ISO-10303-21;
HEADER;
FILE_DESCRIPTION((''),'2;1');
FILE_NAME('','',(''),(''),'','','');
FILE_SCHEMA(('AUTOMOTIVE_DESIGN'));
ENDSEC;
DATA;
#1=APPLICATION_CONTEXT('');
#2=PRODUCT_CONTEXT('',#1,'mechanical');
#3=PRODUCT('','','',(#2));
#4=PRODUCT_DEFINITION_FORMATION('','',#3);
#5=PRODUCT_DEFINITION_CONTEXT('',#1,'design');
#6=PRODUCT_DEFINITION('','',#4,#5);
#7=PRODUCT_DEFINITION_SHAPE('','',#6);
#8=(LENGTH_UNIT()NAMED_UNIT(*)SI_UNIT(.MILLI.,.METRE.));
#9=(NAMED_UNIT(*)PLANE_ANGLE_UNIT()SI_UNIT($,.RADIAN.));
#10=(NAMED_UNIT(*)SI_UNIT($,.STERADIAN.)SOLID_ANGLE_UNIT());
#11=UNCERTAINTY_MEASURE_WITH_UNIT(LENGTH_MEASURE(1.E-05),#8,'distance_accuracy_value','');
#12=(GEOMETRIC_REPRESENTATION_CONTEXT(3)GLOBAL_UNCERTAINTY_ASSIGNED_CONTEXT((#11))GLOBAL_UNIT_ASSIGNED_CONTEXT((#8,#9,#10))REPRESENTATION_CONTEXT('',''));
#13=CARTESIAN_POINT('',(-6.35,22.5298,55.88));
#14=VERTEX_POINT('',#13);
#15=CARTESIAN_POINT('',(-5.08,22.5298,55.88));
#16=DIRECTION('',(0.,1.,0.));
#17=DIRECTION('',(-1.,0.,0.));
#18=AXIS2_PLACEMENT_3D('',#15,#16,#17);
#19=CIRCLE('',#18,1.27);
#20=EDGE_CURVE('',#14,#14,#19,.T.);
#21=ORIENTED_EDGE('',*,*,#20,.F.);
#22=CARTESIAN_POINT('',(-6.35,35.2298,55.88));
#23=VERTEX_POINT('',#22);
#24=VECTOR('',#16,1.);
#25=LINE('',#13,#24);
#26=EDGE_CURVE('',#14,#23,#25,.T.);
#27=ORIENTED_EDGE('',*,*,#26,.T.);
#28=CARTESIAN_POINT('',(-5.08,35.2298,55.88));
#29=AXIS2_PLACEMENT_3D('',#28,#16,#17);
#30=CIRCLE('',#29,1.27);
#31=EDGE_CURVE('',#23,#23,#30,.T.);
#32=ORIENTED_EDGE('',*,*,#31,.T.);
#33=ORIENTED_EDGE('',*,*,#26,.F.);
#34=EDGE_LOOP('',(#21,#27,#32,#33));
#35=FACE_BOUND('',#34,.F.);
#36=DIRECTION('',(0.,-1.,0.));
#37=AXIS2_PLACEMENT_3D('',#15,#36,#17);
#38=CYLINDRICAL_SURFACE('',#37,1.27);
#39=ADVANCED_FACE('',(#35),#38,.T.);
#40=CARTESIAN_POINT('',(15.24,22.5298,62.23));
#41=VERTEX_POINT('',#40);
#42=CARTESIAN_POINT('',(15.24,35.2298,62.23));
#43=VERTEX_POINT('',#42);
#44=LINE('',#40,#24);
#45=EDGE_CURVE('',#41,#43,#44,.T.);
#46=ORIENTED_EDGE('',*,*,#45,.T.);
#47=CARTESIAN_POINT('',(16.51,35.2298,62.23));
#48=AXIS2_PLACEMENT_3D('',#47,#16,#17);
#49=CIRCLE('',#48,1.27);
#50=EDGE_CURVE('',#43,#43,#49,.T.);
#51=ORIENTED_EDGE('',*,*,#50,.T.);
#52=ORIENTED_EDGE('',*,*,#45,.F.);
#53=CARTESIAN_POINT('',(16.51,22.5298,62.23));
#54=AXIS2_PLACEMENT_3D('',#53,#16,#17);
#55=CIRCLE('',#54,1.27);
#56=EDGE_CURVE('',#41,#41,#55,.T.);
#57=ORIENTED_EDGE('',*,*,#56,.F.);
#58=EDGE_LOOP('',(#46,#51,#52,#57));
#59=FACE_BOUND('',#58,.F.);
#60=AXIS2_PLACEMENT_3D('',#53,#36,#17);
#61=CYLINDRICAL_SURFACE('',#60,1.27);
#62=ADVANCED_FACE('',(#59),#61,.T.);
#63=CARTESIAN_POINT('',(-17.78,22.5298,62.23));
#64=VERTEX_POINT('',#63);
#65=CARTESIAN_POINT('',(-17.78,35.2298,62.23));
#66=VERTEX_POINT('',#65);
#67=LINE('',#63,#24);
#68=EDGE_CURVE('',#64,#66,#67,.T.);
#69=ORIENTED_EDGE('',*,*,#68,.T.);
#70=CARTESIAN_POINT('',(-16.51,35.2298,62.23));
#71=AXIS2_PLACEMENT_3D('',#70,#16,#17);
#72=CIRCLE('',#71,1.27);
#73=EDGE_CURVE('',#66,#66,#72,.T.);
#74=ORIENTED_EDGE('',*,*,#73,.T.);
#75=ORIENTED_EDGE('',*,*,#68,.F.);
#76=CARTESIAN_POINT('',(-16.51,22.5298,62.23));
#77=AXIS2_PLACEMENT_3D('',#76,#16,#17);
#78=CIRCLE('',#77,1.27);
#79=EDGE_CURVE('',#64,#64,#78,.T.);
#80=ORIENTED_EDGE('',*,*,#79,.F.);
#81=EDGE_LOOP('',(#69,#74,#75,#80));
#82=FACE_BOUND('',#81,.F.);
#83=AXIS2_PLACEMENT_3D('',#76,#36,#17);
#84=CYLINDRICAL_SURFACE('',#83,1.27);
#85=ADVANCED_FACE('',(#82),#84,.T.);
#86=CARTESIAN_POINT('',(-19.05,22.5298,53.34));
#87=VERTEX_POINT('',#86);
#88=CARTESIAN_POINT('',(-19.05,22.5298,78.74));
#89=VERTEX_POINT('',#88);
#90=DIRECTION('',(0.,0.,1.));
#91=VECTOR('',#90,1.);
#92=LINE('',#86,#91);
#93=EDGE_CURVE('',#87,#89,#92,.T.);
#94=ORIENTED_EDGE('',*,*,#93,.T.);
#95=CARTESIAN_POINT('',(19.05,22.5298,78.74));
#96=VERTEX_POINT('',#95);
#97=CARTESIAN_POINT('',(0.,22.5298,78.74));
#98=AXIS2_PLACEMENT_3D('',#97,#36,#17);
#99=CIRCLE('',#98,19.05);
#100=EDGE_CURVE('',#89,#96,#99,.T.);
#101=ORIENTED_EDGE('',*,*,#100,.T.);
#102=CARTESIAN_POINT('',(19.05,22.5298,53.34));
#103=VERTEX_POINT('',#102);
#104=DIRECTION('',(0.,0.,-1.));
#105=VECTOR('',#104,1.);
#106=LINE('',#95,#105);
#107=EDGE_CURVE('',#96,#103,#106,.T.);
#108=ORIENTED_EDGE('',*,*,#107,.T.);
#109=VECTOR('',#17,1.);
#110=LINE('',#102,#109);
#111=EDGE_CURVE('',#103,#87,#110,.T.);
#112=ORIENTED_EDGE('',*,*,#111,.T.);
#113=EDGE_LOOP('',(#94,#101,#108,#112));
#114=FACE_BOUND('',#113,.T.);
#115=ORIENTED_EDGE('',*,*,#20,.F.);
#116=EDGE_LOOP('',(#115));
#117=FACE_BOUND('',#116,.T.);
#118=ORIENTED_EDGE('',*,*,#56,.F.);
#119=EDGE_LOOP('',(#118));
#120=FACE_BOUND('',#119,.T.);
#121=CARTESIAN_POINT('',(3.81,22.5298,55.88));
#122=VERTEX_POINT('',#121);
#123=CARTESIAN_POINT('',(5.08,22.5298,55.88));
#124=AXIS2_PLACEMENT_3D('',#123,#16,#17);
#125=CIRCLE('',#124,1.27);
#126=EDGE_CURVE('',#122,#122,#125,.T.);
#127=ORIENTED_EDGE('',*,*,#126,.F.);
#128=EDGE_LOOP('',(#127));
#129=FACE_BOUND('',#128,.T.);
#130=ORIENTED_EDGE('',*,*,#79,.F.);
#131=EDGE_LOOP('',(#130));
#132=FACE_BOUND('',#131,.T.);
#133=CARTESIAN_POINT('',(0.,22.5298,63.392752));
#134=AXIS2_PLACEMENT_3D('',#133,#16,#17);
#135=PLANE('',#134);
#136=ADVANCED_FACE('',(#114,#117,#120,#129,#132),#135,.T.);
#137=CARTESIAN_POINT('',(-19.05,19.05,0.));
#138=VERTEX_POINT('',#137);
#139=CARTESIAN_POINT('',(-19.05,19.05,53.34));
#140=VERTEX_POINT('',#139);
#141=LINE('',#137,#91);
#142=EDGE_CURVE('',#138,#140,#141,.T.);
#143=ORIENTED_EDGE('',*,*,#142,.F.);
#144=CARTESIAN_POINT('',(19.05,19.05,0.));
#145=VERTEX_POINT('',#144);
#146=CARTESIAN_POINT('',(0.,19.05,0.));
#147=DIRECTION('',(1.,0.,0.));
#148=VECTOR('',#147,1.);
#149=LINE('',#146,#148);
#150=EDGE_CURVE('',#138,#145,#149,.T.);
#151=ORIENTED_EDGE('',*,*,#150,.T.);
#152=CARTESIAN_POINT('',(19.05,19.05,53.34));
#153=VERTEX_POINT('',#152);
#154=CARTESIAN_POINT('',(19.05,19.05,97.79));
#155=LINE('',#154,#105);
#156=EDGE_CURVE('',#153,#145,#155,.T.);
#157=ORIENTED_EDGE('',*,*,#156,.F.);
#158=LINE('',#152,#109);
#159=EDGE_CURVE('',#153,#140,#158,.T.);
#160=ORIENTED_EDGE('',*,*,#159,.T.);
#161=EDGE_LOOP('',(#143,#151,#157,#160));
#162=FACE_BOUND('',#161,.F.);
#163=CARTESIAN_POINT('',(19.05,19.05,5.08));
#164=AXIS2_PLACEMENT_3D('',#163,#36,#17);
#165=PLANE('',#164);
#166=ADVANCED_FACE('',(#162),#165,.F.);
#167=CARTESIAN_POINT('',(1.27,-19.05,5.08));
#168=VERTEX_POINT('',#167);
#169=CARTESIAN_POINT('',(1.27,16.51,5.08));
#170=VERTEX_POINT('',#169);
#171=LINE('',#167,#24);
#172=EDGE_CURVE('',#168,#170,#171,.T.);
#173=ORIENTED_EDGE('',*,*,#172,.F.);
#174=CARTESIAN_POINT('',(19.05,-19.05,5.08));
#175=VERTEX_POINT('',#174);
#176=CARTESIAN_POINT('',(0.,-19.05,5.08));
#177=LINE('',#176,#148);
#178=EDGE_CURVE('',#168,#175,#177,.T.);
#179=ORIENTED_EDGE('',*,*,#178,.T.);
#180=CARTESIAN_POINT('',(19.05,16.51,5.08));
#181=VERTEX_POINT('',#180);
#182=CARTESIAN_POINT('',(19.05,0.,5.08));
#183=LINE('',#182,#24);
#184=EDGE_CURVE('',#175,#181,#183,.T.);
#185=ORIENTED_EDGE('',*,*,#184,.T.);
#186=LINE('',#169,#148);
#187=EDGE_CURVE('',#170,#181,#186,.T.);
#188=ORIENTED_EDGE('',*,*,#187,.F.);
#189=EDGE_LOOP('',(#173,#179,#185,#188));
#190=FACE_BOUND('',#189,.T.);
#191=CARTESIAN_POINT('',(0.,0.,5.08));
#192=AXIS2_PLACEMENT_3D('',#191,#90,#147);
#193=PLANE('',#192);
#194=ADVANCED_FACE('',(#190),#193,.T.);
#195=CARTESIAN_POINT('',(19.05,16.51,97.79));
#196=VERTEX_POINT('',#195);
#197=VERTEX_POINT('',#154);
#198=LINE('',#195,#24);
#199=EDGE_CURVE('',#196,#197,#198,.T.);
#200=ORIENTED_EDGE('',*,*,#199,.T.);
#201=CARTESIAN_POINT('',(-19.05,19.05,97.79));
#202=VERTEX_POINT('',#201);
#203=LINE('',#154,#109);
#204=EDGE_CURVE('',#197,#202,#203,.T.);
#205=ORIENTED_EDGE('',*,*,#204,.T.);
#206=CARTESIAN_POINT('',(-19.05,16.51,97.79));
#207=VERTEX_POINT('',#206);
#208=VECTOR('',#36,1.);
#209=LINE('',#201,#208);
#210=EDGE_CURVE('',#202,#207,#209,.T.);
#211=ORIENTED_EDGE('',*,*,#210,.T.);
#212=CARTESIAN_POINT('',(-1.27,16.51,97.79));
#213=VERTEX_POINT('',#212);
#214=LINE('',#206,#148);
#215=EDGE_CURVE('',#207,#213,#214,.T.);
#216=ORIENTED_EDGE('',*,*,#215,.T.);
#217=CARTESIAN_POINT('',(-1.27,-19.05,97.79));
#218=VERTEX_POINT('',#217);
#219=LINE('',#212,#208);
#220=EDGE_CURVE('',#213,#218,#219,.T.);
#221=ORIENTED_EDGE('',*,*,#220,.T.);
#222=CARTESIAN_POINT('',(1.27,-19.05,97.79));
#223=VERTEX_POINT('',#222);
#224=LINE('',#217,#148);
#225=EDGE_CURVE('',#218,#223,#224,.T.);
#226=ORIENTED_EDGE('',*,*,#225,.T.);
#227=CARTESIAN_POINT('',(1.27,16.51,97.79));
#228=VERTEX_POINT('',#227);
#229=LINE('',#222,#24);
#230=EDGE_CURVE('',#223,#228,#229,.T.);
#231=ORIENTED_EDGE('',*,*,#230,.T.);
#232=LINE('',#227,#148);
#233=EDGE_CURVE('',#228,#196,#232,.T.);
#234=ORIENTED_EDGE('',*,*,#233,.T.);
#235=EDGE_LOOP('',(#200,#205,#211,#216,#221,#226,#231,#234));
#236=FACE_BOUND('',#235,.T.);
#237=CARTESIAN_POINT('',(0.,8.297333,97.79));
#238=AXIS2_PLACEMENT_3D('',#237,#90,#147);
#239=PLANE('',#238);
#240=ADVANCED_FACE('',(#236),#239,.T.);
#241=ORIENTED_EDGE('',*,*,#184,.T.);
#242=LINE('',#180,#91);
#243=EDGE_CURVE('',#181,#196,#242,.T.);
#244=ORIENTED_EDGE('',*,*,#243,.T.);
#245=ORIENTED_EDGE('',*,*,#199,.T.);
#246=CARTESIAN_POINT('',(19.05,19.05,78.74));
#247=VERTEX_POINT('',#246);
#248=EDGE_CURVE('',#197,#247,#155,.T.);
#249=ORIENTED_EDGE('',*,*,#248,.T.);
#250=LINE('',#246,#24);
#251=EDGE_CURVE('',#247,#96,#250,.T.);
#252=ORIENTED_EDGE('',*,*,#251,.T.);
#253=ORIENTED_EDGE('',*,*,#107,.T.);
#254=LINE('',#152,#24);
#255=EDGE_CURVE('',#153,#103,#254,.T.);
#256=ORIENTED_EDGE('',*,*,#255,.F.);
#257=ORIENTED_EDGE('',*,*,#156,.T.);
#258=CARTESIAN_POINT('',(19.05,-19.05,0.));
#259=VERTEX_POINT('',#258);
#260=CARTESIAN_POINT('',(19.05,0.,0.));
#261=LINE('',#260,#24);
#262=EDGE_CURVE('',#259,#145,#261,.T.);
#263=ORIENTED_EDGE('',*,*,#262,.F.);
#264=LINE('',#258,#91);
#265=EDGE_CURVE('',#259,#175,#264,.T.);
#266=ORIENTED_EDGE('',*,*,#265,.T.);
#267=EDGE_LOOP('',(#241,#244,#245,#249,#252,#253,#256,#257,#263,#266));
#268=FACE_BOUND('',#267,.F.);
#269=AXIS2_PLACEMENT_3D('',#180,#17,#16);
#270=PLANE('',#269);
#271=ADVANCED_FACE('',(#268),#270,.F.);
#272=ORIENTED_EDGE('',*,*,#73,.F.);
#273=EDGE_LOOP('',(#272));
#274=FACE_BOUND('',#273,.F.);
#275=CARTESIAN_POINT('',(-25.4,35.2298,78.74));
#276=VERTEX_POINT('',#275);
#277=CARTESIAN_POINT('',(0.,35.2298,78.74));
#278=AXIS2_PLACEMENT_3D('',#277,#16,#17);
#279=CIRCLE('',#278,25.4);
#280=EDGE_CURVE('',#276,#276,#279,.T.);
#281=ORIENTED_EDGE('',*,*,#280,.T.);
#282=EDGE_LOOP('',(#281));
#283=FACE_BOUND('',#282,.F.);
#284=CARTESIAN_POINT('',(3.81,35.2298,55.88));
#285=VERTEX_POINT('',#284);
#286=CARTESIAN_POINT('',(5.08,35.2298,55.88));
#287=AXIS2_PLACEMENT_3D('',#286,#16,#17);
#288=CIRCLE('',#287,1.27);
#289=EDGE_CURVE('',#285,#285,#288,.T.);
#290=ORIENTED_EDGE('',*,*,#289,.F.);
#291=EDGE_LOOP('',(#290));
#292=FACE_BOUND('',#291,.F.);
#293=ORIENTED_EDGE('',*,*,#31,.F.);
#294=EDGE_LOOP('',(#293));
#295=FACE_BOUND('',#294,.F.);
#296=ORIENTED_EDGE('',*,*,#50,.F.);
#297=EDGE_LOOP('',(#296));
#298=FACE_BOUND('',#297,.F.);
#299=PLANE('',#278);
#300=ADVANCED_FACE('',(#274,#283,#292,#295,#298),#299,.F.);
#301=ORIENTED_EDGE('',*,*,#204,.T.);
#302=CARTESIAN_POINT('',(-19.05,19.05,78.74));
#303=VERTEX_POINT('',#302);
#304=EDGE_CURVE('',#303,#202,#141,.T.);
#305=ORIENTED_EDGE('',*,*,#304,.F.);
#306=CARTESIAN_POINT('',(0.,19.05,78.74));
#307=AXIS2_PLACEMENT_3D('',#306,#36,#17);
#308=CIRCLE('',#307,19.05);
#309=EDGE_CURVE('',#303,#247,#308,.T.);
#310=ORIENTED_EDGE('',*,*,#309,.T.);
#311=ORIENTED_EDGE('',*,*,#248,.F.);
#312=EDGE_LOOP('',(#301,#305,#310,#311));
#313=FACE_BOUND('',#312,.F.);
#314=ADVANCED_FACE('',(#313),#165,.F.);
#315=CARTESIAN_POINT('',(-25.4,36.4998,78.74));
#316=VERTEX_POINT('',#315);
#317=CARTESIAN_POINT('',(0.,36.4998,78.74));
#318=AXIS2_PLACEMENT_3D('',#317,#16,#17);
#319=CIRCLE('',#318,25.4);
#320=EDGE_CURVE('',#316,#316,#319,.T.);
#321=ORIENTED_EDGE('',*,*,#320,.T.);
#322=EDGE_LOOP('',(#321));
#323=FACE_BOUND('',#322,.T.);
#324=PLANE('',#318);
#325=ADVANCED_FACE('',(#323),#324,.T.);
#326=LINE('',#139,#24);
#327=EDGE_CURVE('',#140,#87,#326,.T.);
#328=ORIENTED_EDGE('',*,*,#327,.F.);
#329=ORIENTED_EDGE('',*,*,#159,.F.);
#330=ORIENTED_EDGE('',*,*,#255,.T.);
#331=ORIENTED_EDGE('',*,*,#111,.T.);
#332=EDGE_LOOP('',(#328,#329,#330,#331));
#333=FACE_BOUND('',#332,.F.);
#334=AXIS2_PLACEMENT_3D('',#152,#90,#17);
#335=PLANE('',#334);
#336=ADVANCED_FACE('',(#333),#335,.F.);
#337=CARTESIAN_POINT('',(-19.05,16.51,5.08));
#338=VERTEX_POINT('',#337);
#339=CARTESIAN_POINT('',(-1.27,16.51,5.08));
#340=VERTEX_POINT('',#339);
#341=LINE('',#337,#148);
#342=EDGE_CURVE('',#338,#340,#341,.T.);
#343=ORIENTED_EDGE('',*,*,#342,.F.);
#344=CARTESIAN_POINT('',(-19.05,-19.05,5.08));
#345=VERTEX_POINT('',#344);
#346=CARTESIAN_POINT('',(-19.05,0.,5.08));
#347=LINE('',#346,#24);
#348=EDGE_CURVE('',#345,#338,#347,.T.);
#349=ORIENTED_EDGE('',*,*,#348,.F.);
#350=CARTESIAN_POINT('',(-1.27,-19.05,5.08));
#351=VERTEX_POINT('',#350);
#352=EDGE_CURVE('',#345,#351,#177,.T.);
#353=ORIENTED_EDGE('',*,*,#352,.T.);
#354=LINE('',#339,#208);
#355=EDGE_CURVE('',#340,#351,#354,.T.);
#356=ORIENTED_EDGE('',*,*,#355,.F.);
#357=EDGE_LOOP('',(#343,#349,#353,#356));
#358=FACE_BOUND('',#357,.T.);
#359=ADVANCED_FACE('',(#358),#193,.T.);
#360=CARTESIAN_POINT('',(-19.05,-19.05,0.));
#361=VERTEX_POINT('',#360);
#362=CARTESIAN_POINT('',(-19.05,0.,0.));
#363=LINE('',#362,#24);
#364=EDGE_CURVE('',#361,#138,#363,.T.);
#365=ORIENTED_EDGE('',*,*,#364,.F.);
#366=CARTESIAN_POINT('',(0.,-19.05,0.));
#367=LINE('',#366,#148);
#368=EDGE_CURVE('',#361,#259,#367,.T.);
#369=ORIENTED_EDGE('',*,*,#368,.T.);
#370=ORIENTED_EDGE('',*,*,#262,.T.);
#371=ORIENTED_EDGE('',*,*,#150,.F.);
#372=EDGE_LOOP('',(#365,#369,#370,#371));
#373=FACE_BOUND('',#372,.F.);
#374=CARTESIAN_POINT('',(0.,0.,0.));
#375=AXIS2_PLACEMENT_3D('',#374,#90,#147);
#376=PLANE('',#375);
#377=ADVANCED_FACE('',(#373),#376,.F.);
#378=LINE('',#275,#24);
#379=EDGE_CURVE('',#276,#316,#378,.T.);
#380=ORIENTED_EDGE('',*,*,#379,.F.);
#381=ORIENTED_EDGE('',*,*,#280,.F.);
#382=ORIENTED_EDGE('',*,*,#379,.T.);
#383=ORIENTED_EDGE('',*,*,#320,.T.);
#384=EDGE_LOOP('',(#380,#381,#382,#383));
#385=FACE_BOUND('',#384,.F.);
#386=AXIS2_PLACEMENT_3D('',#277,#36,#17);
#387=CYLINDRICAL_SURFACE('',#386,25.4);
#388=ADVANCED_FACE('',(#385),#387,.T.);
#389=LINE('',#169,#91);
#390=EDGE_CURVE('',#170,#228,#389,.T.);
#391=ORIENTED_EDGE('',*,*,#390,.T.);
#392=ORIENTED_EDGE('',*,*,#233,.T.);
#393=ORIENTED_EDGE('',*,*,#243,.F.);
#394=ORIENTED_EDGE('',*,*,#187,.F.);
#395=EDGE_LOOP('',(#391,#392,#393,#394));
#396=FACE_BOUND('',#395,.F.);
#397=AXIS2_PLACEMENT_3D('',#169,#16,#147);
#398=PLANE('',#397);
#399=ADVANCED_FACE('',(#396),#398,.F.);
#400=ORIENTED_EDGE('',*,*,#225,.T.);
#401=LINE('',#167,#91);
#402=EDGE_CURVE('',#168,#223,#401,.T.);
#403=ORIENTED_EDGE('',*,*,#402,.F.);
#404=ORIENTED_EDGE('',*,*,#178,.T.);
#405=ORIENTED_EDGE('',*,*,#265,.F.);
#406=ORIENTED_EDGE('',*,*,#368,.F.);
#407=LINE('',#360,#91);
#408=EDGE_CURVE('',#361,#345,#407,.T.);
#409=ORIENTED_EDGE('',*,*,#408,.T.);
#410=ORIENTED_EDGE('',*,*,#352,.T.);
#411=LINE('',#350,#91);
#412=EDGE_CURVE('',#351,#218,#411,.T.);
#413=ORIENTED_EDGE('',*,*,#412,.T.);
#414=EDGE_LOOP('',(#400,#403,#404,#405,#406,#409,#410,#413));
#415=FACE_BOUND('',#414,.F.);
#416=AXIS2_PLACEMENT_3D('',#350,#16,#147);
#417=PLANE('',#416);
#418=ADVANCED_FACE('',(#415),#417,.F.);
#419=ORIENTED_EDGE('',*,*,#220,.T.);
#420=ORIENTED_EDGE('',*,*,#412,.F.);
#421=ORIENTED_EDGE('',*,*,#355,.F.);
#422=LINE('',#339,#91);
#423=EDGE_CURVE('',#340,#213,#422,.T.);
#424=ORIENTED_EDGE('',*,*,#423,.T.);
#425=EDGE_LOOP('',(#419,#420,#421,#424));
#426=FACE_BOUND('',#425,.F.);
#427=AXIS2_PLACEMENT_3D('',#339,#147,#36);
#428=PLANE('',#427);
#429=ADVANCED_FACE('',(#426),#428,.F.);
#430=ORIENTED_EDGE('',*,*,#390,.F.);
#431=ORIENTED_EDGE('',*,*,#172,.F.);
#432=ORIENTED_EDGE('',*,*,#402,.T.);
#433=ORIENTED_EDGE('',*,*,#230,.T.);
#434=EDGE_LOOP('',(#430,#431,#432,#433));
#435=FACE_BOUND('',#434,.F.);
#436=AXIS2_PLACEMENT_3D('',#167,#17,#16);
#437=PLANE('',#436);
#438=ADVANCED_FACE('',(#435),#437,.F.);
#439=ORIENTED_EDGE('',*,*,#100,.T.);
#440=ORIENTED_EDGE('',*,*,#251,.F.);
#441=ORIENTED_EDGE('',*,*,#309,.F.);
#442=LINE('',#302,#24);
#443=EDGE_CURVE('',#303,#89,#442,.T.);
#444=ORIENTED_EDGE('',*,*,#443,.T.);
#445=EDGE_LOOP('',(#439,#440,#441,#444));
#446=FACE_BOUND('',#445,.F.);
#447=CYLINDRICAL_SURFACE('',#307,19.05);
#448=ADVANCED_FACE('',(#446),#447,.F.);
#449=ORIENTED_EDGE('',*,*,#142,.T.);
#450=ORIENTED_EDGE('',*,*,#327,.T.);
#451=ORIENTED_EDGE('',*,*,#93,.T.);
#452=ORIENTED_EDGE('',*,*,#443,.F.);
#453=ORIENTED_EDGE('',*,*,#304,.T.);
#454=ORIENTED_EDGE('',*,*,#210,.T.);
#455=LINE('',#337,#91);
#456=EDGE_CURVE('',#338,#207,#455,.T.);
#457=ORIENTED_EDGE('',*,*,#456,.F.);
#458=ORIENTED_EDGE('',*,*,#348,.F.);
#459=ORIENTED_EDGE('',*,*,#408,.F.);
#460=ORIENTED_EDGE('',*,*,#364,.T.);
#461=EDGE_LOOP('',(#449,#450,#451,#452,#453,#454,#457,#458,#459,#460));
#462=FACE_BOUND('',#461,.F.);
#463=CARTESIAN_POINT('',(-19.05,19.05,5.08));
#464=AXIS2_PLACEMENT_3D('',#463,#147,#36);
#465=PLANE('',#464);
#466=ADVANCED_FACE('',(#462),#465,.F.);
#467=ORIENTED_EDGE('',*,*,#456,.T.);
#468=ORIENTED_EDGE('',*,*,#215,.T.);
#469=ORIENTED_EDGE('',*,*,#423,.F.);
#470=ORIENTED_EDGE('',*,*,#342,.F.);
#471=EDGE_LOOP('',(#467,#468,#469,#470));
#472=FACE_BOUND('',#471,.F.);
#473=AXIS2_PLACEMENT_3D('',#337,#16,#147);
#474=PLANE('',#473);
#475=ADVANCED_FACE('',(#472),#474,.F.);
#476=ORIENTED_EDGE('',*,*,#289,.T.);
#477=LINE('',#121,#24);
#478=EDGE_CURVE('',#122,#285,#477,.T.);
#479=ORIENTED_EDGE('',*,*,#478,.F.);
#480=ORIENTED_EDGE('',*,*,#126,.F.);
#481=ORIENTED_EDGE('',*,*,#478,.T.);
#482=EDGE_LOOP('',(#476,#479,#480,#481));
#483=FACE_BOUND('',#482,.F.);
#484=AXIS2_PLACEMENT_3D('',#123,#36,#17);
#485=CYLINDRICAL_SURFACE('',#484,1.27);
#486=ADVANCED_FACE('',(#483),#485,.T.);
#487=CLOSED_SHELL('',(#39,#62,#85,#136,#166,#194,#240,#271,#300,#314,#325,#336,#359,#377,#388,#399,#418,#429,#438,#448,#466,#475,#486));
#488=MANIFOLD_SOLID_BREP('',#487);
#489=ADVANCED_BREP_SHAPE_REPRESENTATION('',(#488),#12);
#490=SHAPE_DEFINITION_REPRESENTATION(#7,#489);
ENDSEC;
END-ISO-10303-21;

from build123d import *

# Parameters (mm, degrees)
F0_W      = 38.1
F0_H      = 38.1
F1_DEPTH  = 5.08
F3_DEPTH  = 92.71
F5_DEPTH  = 3.4798
F7_R      = 25.4
F8_DEPTH  = 1.27
F9_R      = 1.27
F10_DEPTH = 12.7


with BuildPart() as f1:
    # F0 (on Top) → F1 (new body)
    with BuildSketch(Plane.XY):
        Rectangle(F0_W, F0_H)
    extrude(amount=F1_DEPTH)

    # F2 (on face) → F3 (join)
    with BuildSketch(Plane.XY.offset(5.08)):
        Polygon((19.05, 19.05), (1.27, 19.05), (-1.27, 19.05), (-19.05, 19.05), (-19.05, 16.51), (-1.27, 16.51), (-1.27, -19.05), (1.27, -19.05), (1.27, 16.51), (19.05, 16.51), align=None)
    extrude(amount=F3_DEPTH)

    # F4 (on face) → F5 (join)
    with BuildSketch(Plane(origin=(0, 19.05, 0), x_dir=(-1, 0, 0), z_dir=(0, 1, 0))):
        with BuildLine():
            ThreePointArc((19.05, 78.74), (0, 59.69), (-19.05, 78.74))
            Line((-19.05, 78.74), (-19.05, 59.69))
            Line((-19.05, 59.69), (-19.05, 53.34))
            Line((-19.05, 53.34), (19.05, 53.34))
            Line((19.05, 53.34), (19.05, 59.69))
            Line((19.05, 59.69), (19.05, 78.74))
        make_face()
    extrude(amount=F5_DEPTH)



with BuildPart() as f8:
    # F7 (on offset) → F8 (new body)
    with BuildSketch(Plane(origin=(0, 35.2298, 0), x_dir=(-1, 0, 0), z_dir=(0, 1, 0))):
        with Locations((0, 78.74)):
            Circle(F7_R)
    extrude(amount=F8_DEPTH)


with BuildPart() as f1_1:
    add(f1.part)

    add(f8.part)  # F10 merges F8
    # F9 (on face) → F10 (join, through all)
    with BuildSketch(Plane(origin=(0, 22.5298, 0), x_dir=(-1, 0, 0), z_dir=(0, 1, 0))):
        with Locations((-5.08, 55.88)):
            Circle(F9_R)
        with Locations((5.08, 55.88)):
            Circle(F9_R)
        with Locations((-16.51, 62.23)):
            Circle(F9_R)
        with Locations((16.51, 62.23)):
            Circle(F9_R)
    extrude(amount=F10_DEPTH)


solid = f1_1.part
